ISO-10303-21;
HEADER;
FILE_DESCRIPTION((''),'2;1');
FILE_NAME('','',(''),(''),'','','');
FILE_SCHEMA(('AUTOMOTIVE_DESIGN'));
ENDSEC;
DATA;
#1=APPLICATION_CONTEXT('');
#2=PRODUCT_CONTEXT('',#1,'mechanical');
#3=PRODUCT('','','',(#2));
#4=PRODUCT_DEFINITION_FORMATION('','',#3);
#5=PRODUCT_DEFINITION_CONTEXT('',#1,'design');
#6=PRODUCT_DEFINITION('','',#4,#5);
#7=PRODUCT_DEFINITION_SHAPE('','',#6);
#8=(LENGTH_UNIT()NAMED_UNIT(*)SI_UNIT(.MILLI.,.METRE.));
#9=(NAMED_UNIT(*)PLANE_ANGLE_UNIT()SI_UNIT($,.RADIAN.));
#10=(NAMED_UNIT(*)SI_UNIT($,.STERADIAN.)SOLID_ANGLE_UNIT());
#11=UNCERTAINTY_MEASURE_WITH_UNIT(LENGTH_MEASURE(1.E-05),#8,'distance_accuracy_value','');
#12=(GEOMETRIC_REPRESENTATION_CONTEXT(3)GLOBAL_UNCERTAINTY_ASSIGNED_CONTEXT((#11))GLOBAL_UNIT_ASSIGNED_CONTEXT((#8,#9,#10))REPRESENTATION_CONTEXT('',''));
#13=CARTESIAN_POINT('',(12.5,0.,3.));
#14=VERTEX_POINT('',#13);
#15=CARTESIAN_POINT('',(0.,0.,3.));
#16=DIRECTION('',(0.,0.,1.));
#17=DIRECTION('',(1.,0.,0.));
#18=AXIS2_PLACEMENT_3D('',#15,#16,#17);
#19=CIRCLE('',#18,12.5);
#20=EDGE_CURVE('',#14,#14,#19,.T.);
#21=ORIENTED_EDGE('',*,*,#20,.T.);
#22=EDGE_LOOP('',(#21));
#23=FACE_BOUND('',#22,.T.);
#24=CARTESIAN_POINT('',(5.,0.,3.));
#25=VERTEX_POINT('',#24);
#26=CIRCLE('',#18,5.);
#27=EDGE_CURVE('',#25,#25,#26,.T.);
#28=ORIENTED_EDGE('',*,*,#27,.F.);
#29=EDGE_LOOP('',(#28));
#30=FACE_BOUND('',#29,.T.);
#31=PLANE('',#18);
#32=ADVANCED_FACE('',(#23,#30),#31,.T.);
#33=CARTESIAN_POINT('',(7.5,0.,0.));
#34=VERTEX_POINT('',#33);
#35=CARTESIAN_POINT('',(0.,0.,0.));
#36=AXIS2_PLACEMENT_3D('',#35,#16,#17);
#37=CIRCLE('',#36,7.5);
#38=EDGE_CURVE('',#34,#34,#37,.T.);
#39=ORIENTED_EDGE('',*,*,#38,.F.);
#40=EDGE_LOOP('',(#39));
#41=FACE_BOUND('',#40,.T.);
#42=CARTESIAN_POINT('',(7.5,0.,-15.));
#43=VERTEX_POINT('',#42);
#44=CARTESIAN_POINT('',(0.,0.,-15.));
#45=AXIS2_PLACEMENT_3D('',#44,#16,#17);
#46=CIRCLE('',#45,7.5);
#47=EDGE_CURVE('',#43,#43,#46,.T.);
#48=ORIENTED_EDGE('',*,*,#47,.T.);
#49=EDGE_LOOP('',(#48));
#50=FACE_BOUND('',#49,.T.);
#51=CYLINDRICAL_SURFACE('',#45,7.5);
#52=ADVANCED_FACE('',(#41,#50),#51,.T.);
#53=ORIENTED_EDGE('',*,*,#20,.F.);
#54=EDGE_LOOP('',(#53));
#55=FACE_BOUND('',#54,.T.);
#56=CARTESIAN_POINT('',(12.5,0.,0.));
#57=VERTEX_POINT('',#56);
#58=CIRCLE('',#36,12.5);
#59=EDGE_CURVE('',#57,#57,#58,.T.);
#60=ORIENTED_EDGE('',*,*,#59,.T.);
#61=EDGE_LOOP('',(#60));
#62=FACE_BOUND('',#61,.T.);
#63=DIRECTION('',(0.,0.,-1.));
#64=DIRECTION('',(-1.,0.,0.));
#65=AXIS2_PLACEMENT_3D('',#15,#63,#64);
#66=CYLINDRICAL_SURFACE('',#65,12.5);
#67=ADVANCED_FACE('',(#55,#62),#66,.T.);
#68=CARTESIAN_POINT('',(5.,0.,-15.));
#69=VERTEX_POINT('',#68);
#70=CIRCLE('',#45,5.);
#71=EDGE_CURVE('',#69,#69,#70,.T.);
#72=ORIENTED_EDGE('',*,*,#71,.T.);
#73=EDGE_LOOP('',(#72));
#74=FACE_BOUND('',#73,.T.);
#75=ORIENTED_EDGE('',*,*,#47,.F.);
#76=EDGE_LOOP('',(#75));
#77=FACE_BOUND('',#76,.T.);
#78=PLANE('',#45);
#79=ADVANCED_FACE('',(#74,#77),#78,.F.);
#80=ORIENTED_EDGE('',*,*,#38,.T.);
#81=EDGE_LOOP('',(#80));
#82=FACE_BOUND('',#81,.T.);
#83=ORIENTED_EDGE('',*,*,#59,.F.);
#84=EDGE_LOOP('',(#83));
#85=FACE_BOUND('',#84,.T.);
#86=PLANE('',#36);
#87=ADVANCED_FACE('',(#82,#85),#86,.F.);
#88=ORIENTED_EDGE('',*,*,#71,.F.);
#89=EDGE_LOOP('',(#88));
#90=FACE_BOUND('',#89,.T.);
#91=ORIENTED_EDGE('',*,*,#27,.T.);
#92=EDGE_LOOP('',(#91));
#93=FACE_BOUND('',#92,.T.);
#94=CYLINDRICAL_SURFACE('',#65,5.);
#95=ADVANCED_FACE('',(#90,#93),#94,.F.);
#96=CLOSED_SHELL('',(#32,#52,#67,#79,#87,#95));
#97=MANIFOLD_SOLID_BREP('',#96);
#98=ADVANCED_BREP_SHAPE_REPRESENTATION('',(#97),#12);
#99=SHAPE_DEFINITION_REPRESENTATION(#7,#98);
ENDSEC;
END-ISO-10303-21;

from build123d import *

# Parameters (mm, degrees)
SKETCH1_R           = 12.5
SKETCH1_R_2         = 5
BOSS_EXTRUDE1_DEPTH = 3
BOSS_EXTRUDE2_START = -15
SKETCH1_3_R         = 7.5
SKETCH1_3_R_2       = 5
BOSS_EXTRUDE2_DEPTH = 15


with BuildPart() as part:
    # Sketch1 → Boss-Extrude1 (new body)
    with BuildSketch(Plane.XY):
        Circle(SKETCH1_R)
        Circle(SKETCH1_R_2, mode=Mode.SUBTRACT)
    extrude(amount=BOSS_EXTRUDE1_DEPTH)

    # Sketch1<3> → Boss-Extrude2 (add)
    with BuildSketch(Plane.XY.offset(BOSS_EXTRUDE2_START)):
        Circle(SKETCH1_3_R)
        Circle(SKETCH1_3_R_2, mode=Mode.SUBTRACT)
    extrude(amount=BOSS_EXTRUDE2_DEPTH)


solid = part.part
